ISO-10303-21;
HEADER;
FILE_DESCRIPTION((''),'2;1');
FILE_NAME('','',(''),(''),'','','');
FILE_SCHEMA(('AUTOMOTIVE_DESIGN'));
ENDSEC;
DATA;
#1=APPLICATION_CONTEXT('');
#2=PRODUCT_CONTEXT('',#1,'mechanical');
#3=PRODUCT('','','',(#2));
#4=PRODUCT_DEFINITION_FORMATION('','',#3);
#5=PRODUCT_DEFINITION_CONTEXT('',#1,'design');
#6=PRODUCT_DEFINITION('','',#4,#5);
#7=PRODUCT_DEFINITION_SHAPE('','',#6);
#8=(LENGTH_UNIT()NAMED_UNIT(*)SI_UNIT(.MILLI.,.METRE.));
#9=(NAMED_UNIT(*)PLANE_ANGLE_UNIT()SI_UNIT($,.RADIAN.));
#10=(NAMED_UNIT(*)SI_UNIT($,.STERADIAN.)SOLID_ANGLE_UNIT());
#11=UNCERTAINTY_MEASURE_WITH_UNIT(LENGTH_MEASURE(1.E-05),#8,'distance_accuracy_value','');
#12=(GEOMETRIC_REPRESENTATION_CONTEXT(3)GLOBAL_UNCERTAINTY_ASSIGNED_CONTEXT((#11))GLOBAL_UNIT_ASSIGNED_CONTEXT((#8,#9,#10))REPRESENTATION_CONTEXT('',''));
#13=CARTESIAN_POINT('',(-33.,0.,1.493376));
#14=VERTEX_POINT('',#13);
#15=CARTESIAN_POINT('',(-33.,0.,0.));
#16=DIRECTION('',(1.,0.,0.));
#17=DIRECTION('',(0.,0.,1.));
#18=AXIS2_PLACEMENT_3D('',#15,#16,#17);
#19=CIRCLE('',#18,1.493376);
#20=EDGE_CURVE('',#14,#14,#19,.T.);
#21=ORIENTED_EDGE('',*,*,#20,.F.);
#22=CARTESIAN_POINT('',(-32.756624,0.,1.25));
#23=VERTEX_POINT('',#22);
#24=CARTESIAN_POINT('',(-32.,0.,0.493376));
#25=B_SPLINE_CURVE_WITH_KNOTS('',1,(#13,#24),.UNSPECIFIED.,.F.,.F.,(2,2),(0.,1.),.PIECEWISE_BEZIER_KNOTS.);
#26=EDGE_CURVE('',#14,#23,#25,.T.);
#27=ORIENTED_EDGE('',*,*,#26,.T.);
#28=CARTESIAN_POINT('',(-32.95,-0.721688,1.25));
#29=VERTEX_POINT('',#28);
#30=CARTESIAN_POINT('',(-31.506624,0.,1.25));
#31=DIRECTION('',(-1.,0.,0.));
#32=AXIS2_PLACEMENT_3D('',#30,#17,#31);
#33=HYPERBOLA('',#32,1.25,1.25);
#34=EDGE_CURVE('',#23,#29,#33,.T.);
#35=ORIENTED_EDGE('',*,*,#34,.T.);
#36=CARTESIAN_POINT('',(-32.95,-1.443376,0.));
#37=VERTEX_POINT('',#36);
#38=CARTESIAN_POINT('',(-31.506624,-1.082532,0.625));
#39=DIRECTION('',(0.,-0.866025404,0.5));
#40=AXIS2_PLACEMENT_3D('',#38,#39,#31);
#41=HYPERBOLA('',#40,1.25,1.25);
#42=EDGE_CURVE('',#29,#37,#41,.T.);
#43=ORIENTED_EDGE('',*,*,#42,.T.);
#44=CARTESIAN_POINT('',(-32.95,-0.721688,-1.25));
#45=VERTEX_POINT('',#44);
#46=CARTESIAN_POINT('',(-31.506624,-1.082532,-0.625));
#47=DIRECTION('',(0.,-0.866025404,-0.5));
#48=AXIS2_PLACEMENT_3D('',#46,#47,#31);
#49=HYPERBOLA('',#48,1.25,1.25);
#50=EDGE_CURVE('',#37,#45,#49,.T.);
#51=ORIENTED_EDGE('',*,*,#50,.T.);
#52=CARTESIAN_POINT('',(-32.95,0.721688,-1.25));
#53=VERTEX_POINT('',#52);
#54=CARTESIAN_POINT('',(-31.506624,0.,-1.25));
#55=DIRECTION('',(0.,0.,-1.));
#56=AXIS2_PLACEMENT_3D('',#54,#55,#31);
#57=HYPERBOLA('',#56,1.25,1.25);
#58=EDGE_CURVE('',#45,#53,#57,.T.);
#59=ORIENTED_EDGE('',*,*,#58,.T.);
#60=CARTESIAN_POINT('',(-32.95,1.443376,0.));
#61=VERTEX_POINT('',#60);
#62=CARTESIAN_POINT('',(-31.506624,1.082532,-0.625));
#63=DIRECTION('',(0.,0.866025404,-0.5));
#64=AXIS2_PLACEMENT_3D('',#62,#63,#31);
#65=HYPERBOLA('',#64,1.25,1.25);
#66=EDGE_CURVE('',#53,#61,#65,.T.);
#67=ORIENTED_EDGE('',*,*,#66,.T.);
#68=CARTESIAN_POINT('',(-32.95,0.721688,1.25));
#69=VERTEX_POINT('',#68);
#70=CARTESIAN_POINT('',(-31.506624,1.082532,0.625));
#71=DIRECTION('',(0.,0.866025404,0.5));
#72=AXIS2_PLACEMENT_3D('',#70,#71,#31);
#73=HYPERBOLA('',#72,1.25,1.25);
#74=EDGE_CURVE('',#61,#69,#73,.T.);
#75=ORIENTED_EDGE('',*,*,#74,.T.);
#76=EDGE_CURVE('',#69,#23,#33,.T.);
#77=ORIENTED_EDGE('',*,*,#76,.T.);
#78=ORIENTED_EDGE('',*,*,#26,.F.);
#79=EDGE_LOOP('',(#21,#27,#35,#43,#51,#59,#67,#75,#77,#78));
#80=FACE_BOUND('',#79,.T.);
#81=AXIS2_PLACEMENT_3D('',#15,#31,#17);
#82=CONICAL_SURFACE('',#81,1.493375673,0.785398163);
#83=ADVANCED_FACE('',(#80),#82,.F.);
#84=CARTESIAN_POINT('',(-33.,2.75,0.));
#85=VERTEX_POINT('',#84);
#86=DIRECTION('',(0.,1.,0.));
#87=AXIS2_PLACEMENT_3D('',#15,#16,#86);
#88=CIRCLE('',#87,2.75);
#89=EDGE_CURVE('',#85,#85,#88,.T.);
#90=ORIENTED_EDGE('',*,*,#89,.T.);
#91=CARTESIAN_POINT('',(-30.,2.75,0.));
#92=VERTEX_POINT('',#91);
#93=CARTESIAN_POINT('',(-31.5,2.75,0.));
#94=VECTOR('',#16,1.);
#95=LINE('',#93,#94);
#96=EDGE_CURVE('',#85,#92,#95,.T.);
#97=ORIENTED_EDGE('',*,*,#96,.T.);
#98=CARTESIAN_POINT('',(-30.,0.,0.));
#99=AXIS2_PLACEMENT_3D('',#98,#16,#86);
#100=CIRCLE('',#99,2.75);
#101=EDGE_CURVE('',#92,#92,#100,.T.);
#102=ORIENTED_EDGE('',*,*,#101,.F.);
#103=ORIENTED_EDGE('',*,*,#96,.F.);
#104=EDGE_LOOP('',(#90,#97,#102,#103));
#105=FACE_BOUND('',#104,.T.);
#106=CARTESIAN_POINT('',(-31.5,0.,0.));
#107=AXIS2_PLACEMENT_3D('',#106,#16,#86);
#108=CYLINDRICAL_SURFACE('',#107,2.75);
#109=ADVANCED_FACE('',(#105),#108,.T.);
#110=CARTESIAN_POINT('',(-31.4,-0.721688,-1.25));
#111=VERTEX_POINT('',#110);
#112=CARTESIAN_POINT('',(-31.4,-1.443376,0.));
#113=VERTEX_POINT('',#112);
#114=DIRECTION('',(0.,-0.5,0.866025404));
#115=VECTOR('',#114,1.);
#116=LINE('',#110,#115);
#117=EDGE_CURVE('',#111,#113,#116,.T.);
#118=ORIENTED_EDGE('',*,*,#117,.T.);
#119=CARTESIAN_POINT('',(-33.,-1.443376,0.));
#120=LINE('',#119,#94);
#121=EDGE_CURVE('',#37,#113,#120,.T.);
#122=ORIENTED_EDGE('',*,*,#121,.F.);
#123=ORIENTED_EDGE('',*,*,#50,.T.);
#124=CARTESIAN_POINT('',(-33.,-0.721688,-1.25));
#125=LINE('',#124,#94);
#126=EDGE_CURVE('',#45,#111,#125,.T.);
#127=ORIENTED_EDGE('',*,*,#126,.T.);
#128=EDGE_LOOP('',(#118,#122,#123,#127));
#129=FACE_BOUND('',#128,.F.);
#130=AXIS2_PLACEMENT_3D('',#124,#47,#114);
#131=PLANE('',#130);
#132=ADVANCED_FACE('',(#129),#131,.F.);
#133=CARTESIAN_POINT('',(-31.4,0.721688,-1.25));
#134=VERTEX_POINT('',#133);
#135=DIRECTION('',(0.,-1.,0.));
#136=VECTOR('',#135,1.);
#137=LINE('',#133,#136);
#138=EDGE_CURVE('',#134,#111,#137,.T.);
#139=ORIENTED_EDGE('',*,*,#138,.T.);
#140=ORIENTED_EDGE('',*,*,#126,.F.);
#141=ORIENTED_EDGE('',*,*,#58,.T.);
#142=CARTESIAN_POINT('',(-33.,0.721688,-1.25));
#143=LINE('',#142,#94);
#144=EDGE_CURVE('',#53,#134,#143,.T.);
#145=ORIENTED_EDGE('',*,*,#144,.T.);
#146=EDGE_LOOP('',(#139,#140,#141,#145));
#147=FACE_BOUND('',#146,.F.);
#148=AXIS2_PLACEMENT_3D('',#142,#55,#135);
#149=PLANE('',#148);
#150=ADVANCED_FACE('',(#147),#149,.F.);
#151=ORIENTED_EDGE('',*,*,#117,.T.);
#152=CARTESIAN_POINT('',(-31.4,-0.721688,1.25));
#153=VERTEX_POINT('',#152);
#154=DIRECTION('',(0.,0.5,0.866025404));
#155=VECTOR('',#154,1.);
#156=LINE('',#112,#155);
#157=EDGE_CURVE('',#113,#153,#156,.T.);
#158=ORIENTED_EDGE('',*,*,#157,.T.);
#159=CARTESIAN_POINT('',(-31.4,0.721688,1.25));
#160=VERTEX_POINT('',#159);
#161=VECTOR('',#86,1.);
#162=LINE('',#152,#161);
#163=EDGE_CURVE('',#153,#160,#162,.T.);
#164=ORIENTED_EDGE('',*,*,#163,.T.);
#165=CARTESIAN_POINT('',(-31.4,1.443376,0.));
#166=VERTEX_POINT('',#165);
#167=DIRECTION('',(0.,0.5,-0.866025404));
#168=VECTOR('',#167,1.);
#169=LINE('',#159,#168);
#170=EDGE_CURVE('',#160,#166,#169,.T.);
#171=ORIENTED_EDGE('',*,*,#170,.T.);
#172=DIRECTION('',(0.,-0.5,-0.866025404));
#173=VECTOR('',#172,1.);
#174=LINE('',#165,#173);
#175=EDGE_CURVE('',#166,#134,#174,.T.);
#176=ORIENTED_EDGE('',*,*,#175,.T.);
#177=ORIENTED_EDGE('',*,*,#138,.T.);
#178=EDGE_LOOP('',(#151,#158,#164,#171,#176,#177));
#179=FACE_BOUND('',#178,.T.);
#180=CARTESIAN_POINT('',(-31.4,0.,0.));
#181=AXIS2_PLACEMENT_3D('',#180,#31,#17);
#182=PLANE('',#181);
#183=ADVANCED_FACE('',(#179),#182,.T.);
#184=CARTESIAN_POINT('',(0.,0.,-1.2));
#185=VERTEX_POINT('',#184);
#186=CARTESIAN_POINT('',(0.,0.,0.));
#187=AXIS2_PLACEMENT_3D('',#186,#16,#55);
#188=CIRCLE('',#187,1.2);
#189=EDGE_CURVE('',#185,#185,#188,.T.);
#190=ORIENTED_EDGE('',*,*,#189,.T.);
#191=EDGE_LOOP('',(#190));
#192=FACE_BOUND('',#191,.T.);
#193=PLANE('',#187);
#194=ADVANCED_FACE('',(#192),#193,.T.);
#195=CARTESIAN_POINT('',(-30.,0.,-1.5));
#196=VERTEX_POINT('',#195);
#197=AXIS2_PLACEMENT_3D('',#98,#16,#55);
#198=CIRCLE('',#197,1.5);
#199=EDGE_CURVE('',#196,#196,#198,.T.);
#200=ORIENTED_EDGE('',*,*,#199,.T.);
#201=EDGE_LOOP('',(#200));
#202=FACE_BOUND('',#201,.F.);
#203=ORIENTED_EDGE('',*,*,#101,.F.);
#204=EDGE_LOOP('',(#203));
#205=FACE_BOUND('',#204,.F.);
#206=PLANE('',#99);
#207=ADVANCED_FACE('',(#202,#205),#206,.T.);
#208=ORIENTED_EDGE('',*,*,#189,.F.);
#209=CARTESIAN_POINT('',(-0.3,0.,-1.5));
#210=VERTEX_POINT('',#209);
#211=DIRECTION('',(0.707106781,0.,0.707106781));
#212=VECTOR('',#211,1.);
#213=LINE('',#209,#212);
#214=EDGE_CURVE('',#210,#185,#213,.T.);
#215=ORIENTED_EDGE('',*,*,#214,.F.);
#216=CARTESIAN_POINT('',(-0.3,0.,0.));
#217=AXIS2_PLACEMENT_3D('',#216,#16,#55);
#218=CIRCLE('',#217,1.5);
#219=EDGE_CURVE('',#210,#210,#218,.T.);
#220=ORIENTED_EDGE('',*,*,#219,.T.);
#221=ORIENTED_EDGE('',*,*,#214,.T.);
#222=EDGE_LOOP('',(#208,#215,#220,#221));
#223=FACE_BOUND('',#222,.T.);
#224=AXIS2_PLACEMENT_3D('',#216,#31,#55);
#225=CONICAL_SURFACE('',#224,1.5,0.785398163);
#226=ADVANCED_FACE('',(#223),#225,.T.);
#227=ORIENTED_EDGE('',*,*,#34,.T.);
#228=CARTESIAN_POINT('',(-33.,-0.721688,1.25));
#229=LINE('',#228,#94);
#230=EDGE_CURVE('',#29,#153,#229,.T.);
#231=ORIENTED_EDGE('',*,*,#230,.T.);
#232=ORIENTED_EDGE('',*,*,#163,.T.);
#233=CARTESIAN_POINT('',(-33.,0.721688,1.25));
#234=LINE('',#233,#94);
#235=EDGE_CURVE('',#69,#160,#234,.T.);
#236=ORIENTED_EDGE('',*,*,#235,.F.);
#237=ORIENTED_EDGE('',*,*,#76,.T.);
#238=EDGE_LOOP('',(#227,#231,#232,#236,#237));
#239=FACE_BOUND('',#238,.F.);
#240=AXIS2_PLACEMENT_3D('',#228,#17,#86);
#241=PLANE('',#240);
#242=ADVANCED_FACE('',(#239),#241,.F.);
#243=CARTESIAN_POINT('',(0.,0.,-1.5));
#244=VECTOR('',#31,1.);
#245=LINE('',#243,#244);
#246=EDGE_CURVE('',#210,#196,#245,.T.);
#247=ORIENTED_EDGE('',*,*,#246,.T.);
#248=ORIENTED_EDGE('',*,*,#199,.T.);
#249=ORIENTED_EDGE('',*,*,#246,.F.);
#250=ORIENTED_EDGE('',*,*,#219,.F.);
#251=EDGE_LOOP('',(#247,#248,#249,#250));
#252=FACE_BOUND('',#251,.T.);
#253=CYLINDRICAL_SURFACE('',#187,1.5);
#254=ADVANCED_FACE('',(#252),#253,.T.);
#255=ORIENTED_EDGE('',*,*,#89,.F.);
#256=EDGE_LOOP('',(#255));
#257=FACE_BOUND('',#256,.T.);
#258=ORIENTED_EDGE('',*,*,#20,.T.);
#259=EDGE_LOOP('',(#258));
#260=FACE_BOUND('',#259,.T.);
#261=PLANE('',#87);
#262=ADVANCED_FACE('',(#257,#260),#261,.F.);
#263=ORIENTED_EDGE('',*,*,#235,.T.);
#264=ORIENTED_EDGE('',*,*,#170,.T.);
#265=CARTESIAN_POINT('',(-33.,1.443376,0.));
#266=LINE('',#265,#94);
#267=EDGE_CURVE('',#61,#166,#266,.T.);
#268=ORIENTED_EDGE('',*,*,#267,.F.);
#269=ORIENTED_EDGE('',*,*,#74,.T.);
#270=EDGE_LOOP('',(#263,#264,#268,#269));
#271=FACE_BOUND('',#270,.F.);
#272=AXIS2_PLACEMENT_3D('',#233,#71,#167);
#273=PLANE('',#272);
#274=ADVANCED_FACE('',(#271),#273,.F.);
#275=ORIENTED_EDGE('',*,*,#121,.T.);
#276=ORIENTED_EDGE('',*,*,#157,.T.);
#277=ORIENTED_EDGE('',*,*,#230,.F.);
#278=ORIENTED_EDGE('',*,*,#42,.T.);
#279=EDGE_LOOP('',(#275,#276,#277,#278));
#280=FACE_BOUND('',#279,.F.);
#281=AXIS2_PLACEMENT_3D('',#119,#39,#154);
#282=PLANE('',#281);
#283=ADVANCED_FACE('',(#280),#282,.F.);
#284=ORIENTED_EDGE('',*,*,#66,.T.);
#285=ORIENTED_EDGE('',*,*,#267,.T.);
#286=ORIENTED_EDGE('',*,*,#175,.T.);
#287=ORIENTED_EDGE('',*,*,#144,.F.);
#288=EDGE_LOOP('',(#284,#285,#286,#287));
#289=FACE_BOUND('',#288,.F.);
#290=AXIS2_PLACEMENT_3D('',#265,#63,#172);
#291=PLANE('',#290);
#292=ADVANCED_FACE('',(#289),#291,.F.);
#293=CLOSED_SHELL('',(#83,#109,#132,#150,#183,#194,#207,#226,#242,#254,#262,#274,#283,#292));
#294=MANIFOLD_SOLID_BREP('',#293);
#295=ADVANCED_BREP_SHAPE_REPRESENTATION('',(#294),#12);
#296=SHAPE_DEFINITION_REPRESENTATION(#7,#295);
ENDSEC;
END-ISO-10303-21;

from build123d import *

# Parameters (mm, degrees)
SKETCH2_R           = 1.5
BOSS_EXTRUDE1_DEPTH = 30
CHAMFER1_SIZE       = 0.3
SKETCH6_W           = 3
SKETCH6_H           = 2.75
CUT_EXTRUDE1_DEPTH  = 1.6
SKETCH8_R           = 1.493375673
CUT_EXTRUDE2_DEPTH  = 1
CUT_EXTRUDE2_TAPER  = 45


with BuildPart() as part:
    # Sketch2 → Boss-Extrude1 (new body)
    with BuildSketch(Plane(origin=(0, 0, 0), x_dir=(0, 0, -1), z_dir=(1, 0, 0))):
        Circle(SKETCH2_R)
    extrude(amount=-BOSS_EXTRUDE1_DEPTH)

    # Chamfer1
    chamfer1_edges = [part.edges().sort_by_distance(p)[0] for p in [
        (0, 0, 1.5),
    ]]
    chamfer(chamfer1_edges, length=CHAMFER1_SIZE)

    # Sketch6 → Revolve1 (revolve)
    with BuildSketch(Plane.XY):
        with Locations((-31.5, 1.375)):
            Rectangle(SKETCH6_W, SKETCH6_H)
    revolve(axis=Axis((-30, 0, 0), (1, 0, 0)))

    # Sketch7 → Cut-Extrude1 (cut)
    with BuildSketch(Plane.ZY.offset(33)):
        Polygon((0, 1.443375673), (-1.25, 0.721687836), (-1.25, -0.721687836), (0, -1.443375673), (1.25, -0.721687836), (1.25, 0.721687836), align=None)
    extrude(amount=-CUT_EXTRUDE1_DEPTH, mode=Mode.SUBTRACT)

    # Sketch8 → Cut-Extrude2 (cut)
    with BuildSketch(Plane.ZY.offset(33)):
        Circle(SKETCH8_R)
    extrude(amount=-CUT_EXTRUDE2_DEPTH, taper=CUT_EXTRUDE2_TAPER, mode=Mode.SUBTRACT)


solid = part.part
